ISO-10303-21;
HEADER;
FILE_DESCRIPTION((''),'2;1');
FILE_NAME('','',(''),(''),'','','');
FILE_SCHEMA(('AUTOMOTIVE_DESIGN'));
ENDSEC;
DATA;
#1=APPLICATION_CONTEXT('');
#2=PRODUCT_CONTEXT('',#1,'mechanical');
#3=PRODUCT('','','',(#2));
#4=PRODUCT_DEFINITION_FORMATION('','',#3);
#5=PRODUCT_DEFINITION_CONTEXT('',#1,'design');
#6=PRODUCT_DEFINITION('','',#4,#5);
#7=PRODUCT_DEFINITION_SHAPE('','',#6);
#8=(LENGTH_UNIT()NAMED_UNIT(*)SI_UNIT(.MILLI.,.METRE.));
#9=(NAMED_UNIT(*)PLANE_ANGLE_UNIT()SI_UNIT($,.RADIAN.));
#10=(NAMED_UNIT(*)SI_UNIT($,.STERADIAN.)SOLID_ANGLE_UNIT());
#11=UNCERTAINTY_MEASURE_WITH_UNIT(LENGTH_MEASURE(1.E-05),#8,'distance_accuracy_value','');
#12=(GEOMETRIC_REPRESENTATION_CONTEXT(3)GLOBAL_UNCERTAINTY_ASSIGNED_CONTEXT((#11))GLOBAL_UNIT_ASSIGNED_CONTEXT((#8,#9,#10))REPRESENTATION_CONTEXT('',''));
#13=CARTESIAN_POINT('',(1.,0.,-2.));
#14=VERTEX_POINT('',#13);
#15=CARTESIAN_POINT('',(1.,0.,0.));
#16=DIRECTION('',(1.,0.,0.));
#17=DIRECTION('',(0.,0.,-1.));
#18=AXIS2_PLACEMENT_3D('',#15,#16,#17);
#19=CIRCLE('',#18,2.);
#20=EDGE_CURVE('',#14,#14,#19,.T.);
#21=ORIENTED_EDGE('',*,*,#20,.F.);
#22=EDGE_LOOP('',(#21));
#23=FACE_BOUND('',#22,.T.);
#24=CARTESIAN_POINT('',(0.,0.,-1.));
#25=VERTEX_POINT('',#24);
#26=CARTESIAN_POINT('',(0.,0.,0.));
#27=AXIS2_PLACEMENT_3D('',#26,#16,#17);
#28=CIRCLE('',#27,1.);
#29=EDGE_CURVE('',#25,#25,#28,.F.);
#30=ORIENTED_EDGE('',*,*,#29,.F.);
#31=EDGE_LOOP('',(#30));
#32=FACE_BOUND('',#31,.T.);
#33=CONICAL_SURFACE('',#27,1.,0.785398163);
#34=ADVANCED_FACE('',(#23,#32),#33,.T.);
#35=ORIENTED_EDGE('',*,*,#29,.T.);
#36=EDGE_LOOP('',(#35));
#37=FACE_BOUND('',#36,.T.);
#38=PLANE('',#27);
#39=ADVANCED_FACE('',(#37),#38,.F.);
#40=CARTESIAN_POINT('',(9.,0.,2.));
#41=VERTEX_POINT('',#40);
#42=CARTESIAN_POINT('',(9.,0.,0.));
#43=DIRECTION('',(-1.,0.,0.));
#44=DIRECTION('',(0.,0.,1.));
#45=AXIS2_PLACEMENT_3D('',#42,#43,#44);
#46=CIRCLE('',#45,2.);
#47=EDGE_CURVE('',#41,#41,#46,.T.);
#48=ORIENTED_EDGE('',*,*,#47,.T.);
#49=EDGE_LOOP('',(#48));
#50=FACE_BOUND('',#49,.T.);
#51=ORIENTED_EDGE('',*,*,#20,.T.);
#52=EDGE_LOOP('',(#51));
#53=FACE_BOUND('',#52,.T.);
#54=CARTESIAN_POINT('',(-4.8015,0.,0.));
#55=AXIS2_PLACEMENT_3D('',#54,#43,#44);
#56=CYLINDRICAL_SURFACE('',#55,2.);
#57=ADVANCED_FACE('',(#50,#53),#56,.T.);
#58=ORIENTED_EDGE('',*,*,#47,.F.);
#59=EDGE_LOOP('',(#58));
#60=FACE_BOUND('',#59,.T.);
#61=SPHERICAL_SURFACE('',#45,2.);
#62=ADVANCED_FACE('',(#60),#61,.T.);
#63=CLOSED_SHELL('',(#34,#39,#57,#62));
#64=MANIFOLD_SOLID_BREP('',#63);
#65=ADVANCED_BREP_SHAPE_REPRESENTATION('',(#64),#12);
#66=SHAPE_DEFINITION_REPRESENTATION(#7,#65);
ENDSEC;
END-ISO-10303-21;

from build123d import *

# Parameters (mm, degrees)
SKETCH1_W     = 11
SKETCH1_H     = 2
CHAMFER1_SIZE = 1
FILLET1_R     = 2


with BuildPart() as part:
    # Sketch1 → Revolve1 (revolve)
    with BuildSketch(Plane.XY):
        with Locations((5.5, 1)):
            Rectangle(SKETCH1_W, SKETCH1_H)
    revolve(axis=Axis((-4.801500481, 0, 0), (1, 0, 0)))

    # Chamfer1
    chamfer1_edges = [part.edges().sort_by_distance(p)[0] for p in [
        (0, -2, 0),
    ]]
    chamfer(chamfer1_edges, length=CHAMFER1_SIZE)

    # Fillet1
    fillet1_edges = [part.edges().sort_by_distance(p)[0] for p in [
        (11, -2, 0),
    ]]
    fillet(fillet1_edges, radius=FILLET1_R)


solid = part.part
